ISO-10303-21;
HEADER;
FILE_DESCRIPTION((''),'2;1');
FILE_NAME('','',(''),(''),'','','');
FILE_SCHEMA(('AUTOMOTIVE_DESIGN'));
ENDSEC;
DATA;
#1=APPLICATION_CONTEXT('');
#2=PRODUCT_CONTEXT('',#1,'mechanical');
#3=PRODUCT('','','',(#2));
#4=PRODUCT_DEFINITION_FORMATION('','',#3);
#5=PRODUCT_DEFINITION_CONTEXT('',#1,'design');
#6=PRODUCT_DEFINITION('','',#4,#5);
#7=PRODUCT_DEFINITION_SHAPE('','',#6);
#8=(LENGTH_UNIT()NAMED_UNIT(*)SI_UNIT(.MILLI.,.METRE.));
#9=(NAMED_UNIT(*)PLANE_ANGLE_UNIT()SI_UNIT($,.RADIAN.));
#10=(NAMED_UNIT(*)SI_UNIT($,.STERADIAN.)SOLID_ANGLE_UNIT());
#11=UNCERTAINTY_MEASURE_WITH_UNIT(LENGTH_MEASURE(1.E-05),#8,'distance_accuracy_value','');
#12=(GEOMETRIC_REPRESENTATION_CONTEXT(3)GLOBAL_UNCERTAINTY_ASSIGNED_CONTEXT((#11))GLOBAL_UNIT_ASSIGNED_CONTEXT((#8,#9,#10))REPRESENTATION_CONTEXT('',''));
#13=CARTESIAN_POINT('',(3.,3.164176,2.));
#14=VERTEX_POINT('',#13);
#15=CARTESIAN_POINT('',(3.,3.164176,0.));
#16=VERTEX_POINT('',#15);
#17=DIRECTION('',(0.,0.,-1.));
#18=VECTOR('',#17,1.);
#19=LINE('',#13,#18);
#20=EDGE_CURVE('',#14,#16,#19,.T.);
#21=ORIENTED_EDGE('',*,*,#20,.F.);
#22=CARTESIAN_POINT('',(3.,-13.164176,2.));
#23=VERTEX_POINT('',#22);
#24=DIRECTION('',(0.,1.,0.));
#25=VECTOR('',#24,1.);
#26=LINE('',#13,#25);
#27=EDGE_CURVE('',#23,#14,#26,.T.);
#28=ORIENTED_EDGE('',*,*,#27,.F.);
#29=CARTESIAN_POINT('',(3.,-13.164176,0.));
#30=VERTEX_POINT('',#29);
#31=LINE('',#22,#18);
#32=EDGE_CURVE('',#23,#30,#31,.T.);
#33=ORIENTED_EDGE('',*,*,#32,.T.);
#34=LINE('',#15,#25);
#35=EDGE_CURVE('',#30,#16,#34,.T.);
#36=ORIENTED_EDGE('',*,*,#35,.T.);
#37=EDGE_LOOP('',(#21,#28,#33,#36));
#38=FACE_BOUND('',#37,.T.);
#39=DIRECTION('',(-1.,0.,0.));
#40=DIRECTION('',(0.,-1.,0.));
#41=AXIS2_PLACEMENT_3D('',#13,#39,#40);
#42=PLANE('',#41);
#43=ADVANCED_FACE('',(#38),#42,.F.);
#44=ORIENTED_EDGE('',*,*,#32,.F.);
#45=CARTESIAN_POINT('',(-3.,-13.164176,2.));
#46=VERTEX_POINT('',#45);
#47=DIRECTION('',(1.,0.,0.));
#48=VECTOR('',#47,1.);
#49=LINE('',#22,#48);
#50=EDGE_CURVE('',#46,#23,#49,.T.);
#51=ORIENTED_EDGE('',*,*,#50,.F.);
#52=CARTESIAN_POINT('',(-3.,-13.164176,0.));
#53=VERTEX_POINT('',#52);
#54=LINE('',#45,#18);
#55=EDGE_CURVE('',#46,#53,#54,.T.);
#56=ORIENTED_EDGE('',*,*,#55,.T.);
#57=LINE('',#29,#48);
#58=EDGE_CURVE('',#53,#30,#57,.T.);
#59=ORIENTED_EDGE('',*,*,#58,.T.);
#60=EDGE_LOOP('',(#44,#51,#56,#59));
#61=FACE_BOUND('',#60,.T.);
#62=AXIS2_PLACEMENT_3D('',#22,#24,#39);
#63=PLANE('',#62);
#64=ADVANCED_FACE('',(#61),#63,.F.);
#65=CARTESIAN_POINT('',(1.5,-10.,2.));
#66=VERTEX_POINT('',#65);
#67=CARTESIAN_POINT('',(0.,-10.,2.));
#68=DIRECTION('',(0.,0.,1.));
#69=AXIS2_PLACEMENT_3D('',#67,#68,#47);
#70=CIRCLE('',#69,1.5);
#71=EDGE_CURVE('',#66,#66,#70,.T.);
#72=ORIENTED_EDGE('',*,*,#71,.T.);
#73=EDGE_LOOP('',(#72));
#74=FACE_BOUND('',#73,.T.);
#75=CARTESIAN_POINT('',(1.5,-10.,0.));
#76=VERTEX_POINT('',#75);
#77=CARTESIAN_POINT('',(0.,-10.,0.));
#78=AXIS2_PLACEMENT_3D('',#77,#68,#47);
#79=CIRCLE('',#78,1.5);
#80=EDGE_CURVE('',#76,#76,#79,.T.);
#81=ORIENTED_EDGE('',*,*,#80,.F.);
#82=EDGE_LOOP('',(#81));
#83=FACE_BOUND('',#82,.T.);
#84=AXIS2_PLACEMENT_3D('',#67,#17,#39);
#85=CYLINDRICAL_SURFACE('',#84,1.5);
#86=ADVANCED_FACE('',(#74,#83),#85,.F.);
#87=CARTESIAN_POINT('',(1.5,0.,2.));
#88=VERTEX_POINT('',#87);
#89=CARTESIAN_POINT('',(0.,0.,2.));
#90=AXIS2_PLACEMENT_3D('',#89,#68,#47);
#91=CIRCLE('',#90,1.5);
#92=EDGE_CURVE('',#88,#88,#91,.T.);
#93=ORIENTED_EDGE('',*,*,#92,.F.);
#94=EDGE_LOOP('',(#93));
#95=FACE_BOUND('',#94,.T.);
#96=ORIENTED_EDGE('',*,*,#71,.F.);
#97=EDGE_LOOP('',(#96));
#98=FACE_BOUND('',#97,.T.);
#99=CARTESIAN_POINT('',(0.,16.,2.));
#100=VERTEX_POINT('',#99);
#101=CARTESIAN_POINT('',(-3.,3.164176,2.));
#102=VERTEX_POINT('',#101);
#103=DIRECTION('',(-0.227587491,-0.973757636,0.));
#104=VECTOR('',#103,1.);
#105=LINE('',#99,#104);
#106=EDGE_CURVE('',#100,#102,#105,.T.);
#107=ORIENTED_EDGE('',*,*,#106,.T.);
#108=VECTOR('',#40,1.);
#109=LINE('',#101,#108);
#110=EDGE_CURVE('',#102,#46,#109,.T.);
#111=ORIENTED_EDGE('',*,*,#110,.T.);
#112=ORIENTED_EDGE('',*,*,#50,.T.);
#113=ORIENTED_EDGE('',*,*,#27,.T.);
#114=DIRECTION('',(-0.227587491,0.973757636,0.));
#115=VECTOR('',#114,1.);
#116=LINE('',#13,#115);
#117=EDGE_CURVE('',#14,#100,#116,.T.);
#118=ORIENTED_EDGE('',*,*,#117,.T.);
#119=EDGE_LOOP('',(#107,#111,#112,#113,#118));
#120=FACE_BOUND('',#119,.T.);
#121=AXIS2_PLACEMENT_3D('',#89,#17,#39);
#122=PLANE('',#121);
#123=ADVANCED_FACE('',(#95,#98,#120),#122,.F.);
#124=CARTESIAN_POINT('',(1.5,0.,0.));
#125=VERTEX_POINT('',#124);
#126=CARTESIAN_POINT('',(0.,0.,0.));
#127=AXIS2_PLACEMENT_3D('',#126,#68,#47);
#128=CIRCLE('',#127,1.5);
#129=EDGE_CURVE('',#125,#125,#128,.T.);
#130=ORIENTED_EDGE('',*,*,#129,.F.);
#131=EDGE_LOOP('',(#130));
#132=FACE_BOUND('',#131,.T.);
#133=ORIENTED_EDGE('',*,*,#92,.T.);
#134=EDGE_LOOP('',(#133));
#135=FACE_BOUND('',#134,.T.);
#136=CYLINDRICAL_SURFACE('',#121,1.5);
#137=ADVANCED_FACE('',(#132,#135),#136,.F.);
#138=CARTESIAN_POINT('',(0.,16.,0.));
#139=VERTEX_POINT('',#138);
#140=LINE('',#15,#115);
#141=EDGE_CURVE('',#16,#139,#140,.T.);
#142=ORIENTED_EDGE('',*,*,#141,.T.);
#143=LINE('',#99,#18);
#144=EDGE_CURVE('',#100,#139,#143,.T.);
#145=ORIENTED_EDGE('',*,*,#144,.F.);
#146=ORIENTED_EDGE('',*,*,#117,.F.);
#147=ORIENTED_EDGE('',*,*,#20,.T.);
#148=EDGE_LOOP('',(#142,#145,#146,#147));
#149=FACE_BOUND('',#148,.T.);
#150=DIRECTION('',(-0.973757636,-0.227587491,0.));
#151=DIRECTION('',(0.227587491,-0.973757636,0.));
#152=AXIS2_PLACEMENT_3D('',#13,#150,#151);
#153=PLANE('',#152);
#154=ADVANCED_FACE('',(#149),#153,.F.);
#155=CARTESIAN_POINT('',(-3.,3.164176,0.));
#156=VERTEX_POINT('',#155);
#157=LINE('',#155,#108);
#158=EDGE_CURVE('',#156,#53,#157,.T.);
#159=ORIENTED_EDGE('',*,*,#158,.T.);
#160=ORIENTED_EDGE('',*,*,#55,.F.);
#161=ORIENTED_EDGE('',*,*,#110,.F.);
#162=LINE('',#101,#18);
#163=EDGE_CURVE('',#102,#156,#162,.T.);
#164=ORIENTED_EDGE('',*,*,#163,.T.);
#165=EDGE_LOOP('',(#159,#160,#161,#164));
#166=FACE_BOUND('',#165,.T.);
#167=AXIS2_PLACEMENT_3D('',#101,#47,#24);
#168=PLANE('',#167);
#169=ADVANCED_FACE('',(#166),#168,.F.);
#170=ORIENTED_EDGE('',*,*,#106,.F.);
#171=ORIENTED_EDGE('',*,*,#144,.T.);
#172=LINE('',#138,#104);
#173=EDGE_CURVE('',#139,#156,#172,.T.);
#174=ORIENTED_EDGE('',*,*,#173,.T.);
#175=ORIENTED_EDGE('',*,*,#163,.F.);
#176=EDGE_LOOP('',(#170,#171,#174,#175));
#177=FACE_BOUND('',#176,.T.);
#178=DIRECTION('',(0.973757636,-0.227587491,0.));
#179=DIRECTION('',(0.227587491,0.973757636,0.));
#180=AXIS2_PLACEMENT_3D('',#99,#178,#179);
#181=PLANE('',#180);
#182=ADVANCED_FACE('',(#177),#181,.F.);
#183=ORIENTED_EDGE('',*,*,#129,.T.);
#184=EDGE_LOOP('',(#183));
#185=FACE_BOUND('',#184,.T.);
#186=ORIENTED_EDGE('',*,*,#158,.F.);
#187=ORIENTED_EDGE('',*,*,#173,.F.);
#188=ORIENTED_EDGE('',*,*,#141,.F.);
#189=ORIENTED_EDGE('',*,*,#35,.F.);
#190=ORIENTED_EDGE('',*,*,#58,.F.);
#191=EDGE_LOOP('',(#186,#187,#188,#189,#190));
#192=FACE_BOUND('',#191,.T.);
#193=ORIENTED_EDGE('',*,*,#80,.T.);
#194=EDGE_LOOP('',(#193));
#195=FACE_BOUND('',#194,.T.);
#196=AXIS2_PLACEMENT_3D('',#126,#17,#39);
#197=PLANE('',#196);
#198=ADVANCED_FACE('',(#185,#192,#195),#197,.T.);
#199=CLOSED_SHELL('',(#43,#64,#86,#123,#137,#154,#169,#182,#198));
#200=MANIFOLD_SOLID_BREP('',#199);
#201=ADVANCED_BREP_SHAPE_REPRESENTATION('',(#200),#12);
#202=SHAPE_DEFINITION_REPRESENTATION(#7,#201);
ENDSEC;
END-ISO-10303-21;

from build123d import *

# Parameters (mm, degrees)
SKETCH_1_R      = 1.5
EXTRUDE_1_DEPTH = 2


with BuildPart() as part:
    # 草图1 → 凸台-拉伸1 (new body)
    with BuildSketch(Plane.XY):
        Polygon((3, 3.164176285), (0, 16), (-3, 3.164176285), (-3, -13.164176285), (3, -13.164176285), align=None)
        Circle(SKETCH_1_R, mode=Mode.SUBTRACT)
        with Locations((0, -10)):
            Circle(SKETCH_1_R, mode=Mode.SUBTRACT)
    extrude(amount=EXTRUDE_1_DEPTH)


solid = part.part
